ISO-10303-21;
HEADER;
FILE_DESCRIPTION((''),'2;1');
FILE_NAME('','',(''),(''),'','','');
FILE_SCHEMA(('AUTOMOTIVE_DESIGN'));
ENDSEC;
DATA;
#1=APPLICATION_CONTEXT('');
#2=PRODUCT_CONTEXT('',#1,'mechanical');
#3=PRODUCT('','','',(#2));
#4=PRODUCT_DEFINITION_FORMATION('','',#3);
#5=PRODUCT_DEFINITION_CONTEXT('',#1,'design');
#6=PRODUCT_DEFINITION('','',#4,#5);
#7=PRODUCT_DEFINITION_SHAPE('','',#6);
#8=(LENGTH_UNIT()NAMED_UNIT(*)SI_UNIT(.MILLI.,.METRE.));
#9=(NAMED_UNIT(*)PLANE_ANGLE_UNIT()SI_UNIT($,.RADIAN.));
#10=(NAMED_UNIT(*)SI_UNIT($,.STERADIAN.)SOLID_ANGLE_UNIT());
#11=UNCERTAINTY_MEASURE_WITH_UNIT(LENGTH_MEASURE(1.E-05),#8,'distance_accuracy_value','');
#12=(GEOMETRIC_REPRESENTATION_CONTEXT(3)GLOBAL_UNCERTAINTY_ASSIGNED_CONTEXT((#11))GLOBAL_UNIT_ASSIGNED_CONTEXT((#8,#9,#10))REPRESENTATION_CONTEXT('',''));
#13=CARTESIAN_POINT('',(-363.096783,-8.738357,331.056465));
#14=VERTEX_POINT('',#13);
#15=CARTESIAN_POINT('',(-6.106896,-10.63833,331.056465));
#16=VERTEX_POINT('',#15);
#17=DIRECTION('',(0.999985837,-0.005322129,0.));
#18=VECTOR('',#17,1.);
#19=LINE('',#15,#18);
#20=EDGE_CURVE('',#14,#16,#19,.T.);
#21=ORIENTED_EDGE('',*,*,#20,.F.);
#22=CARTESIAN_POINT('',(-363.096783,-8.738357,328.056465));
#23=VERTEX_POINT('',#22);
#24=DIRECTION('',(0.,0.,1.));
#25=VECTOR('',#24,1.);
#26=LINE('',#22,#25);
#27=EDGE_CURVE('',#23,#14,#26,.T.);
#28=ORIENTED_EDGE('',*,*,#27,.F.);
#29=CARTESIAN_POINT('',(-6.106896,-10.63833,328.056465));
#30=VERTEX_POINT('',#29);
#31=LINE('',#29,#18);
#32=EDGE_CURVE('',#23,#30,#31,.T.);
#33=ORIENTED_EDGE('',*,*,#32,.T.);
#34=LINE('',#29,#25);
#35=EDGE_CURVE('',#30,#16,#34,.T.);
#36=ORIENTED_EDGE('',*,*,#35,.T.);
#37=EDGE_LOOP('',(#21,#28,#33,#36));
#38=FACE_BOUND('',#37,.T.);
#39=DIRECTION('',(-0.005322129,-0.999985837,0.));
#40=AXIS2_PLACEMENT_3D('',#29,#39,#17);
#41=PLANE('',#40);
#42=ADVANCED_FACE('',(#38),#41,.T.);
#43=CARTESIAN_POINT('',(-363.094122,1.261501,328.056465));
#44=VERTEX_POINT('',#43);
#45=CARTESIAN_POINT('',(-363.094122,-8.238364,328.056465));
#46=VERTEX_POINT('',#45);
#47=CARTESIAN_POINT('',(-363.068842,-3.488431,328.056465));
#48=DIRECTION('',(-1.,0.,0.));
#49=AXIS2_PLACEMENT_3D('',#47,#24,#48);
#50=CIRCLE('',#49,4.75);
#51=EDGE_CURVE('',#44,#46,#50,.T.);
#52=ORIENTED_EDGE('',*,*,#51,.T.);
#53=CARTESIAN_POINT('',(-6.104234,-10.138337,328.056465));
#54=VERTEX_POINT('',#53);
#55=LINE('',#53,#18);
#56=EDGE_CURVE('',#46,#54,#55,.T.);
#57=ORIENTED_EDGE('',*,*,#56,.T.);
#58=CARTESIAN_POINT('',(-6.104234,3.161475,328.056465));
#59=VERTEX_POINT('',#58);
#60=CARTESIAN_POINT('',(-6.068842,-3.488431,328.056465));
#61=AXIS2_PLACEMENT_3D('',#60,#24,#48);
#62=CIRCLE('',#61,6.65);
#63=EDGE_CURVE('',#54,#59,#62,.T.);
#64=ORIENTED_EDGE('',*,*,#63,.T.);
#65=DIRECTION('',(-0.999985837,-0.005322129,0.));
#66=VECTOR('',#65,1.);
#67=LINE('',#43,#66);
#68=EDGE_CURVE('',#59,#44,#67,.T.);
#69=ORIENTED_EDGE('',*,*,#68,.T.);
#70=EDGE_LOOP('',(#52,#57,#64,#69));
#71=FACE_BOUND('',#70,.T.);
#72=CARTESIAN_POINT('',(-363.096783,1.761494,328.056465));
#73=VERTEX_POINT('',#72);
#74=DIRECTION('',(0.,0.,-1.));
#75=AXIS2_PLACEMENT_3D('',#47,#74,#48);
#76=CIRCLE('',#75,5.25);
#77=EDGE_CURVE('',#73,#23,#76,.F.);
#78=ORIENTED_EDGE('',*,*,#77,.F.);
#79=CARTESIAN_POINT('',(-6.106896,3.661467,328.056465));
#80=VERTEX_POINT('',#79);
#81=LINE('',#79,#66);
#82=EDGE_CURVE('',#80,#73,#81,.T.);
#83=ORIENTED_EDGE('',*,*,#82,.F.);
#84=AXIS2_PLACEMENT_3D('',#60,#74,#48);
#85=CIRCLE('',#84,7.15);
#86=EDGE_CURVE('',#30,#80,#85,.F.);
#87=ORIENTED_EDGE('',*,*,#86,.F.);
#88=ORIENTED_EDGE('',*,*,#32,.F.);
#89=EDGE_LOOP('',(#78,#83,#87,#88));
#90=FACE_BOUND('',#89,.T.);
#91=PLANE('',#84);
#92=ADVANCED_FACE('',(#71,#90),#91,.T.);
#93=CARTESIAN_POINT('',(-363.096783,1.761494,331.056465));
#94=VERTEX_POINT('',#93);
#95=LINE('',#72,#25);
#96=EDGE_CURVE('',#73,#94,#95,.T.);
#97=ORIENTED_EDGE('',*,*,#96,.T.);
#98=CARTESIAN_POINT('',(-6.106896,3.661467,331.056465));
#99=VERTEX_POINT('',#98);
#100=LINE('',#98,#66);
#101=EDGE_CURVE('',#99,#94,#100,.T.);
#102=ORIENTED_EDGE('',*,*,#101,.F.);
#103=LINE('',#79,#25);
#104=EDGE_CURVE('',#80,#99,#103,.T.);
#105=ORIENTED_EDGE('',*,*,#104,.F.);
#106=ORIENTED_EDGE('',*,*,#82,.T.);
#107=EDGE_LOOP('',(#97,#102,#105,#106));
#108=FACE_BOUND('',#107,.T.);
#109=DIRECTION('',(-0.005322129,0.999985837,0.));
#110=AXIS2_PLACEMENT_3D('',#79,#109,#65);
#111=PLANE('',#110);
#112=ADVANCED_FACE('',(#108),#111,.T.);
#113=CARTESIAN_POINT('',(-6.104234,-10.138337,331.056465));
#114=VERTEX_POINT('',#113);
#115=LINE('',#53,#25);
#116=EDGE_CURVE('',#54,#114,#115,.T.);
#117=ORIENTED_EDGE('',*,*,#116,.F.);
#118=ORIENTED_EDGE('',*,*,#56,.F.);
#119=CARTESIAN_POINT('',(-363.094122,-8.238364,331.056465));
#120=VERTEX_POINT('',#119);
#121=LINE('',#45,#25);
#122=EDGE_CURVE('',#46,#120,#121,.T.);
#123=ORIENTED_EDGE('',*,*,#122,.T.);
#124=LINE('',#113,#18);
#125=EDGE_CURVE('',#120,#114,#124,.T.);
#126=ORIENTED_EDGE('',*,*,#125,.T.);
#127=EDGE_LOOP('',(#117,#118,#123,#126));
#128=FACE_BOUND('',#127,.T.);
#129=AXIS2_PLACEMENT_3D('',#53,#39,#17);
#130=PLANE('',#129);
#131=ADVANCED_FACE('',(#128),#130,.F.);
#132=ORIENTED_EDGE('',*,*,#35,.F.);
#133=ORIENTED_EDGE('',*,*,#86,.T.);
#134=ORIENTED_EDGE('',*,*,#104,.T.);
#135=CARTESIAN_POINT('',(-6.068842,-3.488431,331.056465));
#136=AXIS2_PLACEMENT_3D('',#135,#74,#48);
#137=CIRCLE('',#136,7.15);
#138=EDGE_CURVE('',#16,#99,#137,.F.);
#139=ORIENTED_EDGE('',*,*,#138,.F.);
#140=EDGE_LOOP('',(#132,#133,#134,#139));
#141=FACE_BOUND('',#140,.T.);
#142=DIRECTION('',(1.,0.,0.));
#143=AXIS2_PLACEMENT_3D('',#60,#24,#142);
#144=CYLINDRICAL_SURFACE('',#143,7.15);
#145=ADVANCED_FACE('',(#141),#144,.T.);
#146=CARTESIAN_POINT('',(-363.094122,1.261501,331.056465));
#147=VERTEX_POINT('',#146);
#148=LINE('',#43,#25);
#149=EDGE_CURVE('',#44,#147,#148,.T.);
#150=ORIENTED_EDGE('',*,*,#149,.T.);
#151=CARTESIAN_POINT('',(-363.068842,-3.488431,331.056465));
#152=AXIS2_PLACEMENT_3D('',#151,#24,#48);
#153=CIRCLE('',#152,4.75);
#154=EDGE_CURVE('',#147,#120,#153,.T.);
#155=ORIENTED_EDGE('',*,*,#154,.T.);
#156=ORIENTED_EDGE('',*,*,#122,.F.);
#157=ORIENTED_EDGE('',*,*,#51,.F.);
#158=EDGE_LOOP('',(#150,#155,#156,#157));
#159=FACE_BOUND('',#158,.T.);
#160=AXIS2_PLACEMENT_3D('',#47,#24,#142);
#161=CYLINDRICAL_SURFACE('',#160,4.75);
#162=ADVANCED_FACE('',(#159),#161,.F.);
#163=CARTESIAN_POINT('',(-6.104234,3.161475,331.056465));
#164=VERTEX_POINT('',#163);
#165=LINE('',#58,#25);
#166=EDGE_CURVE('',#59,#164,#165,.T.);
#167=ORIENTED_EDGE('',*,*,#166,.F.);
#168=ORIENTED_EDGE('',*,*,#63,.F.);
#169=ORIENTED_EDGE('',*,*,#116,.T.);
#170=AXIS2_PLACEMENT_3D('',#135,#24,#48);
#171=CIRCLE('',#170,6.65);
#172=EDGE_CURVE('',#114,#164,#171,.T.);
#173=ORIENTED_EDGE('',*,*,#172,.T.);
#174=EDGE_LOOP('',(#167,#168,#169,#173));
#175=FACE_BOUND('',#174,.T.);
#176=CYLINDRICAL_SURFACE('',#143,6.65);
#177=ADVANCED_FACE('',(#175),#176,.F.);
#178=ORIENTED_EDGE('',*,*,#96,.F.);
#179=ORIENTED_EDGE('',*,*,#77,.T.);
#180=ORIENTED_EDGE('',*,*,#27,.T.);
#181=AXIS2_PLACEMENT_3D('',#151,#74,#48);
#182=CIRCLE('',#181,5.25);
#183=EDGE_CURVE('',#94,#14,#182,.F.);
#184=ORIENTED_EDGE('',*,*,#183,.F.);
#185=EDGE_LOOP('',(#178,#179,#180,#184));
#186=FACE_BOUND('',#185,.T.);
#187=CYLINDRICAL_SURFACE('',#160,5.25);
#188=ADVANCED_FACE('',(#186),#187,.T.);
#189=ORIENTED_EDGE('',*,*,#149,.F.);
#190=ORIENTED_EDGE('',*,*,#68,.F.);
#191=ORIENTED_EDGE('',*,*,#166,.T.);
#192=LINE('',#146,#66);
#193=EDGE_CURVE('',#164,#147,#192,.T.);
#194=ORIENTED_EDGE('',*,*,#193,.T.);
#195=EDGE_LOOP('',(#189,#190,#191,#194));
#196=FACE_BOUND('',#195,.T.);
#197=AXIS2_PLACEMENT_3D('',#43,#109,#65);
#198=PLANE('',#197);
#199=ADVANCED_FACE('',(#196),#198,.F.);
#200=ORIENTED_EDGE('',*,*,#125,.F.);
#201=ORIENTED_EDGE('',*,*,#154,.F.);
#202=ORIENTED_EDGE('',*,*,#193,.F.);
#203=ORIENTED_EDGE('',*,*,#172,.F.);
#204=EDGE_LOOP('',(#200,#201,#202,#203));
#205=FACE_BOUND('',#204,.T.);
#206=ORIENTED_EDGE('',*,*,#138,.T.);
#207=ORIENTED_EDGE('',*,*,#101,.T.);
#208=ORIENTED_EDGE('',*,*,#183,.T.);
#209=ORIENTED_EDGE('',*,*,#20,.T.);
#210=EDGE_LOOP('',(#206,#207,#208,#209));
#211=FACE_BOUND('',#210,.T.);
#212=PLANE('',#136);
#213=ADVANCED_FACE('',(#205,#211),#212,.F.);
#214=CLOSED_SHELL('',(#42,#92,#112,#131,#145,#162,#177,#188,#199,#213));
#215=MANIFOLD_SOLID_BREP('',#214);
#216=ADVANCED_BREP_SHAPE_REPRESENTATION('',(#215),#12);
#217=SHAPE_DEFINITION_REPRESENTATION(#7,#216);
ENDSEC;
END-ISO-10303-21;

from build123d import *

# Parameters (mm, degrees)
EXTRU_MINCE1_DEPTH = 3


with BuildPart() as part:
    # Esquisse2 → Extru.-Mince1 (new body)
    with BuildSketch(Plane.XY.offset(331.056465315)):
        with BuildLine():
            Line((-363.096783497, 1.761494352), (-6.106895541, 3.661467443))
            ThreePointArc((-6.106895541, 3.661467443), (1.08115768, -3.488431294), (-6.106895541, -10.638330031))
            Line((-6.106895541, -10.638330031), (-363.096783497, -8.738356941))
            ThreePointArc((-363.096783497, -8.738356941), (-368.31884232, -3.488431294), (-363.096783497, 1.761494352))
        make_face()
        with BuildLine():
            Line((-363.094122432, 1.261501433), (-6.104234477, 3.161474524))
            ThreePointArc((-6.104234477, 3.161474524), (0.58115768, -3.488431294), (-6.104234477, -10.138337113))
            Line((-6.104234477, -10.138337113), (-363.094122432, -8.238364022))
            ThreePointArc((-363.094122432, -8.238364022), (-367.81884232, -3.488431294), (-363.094122432, 1.261501433))
        make_face(mode=Mode.SUBTRACT)
    extrude(amount=-EXTRU_MINCE1_DEPTH)


solid = part.part
